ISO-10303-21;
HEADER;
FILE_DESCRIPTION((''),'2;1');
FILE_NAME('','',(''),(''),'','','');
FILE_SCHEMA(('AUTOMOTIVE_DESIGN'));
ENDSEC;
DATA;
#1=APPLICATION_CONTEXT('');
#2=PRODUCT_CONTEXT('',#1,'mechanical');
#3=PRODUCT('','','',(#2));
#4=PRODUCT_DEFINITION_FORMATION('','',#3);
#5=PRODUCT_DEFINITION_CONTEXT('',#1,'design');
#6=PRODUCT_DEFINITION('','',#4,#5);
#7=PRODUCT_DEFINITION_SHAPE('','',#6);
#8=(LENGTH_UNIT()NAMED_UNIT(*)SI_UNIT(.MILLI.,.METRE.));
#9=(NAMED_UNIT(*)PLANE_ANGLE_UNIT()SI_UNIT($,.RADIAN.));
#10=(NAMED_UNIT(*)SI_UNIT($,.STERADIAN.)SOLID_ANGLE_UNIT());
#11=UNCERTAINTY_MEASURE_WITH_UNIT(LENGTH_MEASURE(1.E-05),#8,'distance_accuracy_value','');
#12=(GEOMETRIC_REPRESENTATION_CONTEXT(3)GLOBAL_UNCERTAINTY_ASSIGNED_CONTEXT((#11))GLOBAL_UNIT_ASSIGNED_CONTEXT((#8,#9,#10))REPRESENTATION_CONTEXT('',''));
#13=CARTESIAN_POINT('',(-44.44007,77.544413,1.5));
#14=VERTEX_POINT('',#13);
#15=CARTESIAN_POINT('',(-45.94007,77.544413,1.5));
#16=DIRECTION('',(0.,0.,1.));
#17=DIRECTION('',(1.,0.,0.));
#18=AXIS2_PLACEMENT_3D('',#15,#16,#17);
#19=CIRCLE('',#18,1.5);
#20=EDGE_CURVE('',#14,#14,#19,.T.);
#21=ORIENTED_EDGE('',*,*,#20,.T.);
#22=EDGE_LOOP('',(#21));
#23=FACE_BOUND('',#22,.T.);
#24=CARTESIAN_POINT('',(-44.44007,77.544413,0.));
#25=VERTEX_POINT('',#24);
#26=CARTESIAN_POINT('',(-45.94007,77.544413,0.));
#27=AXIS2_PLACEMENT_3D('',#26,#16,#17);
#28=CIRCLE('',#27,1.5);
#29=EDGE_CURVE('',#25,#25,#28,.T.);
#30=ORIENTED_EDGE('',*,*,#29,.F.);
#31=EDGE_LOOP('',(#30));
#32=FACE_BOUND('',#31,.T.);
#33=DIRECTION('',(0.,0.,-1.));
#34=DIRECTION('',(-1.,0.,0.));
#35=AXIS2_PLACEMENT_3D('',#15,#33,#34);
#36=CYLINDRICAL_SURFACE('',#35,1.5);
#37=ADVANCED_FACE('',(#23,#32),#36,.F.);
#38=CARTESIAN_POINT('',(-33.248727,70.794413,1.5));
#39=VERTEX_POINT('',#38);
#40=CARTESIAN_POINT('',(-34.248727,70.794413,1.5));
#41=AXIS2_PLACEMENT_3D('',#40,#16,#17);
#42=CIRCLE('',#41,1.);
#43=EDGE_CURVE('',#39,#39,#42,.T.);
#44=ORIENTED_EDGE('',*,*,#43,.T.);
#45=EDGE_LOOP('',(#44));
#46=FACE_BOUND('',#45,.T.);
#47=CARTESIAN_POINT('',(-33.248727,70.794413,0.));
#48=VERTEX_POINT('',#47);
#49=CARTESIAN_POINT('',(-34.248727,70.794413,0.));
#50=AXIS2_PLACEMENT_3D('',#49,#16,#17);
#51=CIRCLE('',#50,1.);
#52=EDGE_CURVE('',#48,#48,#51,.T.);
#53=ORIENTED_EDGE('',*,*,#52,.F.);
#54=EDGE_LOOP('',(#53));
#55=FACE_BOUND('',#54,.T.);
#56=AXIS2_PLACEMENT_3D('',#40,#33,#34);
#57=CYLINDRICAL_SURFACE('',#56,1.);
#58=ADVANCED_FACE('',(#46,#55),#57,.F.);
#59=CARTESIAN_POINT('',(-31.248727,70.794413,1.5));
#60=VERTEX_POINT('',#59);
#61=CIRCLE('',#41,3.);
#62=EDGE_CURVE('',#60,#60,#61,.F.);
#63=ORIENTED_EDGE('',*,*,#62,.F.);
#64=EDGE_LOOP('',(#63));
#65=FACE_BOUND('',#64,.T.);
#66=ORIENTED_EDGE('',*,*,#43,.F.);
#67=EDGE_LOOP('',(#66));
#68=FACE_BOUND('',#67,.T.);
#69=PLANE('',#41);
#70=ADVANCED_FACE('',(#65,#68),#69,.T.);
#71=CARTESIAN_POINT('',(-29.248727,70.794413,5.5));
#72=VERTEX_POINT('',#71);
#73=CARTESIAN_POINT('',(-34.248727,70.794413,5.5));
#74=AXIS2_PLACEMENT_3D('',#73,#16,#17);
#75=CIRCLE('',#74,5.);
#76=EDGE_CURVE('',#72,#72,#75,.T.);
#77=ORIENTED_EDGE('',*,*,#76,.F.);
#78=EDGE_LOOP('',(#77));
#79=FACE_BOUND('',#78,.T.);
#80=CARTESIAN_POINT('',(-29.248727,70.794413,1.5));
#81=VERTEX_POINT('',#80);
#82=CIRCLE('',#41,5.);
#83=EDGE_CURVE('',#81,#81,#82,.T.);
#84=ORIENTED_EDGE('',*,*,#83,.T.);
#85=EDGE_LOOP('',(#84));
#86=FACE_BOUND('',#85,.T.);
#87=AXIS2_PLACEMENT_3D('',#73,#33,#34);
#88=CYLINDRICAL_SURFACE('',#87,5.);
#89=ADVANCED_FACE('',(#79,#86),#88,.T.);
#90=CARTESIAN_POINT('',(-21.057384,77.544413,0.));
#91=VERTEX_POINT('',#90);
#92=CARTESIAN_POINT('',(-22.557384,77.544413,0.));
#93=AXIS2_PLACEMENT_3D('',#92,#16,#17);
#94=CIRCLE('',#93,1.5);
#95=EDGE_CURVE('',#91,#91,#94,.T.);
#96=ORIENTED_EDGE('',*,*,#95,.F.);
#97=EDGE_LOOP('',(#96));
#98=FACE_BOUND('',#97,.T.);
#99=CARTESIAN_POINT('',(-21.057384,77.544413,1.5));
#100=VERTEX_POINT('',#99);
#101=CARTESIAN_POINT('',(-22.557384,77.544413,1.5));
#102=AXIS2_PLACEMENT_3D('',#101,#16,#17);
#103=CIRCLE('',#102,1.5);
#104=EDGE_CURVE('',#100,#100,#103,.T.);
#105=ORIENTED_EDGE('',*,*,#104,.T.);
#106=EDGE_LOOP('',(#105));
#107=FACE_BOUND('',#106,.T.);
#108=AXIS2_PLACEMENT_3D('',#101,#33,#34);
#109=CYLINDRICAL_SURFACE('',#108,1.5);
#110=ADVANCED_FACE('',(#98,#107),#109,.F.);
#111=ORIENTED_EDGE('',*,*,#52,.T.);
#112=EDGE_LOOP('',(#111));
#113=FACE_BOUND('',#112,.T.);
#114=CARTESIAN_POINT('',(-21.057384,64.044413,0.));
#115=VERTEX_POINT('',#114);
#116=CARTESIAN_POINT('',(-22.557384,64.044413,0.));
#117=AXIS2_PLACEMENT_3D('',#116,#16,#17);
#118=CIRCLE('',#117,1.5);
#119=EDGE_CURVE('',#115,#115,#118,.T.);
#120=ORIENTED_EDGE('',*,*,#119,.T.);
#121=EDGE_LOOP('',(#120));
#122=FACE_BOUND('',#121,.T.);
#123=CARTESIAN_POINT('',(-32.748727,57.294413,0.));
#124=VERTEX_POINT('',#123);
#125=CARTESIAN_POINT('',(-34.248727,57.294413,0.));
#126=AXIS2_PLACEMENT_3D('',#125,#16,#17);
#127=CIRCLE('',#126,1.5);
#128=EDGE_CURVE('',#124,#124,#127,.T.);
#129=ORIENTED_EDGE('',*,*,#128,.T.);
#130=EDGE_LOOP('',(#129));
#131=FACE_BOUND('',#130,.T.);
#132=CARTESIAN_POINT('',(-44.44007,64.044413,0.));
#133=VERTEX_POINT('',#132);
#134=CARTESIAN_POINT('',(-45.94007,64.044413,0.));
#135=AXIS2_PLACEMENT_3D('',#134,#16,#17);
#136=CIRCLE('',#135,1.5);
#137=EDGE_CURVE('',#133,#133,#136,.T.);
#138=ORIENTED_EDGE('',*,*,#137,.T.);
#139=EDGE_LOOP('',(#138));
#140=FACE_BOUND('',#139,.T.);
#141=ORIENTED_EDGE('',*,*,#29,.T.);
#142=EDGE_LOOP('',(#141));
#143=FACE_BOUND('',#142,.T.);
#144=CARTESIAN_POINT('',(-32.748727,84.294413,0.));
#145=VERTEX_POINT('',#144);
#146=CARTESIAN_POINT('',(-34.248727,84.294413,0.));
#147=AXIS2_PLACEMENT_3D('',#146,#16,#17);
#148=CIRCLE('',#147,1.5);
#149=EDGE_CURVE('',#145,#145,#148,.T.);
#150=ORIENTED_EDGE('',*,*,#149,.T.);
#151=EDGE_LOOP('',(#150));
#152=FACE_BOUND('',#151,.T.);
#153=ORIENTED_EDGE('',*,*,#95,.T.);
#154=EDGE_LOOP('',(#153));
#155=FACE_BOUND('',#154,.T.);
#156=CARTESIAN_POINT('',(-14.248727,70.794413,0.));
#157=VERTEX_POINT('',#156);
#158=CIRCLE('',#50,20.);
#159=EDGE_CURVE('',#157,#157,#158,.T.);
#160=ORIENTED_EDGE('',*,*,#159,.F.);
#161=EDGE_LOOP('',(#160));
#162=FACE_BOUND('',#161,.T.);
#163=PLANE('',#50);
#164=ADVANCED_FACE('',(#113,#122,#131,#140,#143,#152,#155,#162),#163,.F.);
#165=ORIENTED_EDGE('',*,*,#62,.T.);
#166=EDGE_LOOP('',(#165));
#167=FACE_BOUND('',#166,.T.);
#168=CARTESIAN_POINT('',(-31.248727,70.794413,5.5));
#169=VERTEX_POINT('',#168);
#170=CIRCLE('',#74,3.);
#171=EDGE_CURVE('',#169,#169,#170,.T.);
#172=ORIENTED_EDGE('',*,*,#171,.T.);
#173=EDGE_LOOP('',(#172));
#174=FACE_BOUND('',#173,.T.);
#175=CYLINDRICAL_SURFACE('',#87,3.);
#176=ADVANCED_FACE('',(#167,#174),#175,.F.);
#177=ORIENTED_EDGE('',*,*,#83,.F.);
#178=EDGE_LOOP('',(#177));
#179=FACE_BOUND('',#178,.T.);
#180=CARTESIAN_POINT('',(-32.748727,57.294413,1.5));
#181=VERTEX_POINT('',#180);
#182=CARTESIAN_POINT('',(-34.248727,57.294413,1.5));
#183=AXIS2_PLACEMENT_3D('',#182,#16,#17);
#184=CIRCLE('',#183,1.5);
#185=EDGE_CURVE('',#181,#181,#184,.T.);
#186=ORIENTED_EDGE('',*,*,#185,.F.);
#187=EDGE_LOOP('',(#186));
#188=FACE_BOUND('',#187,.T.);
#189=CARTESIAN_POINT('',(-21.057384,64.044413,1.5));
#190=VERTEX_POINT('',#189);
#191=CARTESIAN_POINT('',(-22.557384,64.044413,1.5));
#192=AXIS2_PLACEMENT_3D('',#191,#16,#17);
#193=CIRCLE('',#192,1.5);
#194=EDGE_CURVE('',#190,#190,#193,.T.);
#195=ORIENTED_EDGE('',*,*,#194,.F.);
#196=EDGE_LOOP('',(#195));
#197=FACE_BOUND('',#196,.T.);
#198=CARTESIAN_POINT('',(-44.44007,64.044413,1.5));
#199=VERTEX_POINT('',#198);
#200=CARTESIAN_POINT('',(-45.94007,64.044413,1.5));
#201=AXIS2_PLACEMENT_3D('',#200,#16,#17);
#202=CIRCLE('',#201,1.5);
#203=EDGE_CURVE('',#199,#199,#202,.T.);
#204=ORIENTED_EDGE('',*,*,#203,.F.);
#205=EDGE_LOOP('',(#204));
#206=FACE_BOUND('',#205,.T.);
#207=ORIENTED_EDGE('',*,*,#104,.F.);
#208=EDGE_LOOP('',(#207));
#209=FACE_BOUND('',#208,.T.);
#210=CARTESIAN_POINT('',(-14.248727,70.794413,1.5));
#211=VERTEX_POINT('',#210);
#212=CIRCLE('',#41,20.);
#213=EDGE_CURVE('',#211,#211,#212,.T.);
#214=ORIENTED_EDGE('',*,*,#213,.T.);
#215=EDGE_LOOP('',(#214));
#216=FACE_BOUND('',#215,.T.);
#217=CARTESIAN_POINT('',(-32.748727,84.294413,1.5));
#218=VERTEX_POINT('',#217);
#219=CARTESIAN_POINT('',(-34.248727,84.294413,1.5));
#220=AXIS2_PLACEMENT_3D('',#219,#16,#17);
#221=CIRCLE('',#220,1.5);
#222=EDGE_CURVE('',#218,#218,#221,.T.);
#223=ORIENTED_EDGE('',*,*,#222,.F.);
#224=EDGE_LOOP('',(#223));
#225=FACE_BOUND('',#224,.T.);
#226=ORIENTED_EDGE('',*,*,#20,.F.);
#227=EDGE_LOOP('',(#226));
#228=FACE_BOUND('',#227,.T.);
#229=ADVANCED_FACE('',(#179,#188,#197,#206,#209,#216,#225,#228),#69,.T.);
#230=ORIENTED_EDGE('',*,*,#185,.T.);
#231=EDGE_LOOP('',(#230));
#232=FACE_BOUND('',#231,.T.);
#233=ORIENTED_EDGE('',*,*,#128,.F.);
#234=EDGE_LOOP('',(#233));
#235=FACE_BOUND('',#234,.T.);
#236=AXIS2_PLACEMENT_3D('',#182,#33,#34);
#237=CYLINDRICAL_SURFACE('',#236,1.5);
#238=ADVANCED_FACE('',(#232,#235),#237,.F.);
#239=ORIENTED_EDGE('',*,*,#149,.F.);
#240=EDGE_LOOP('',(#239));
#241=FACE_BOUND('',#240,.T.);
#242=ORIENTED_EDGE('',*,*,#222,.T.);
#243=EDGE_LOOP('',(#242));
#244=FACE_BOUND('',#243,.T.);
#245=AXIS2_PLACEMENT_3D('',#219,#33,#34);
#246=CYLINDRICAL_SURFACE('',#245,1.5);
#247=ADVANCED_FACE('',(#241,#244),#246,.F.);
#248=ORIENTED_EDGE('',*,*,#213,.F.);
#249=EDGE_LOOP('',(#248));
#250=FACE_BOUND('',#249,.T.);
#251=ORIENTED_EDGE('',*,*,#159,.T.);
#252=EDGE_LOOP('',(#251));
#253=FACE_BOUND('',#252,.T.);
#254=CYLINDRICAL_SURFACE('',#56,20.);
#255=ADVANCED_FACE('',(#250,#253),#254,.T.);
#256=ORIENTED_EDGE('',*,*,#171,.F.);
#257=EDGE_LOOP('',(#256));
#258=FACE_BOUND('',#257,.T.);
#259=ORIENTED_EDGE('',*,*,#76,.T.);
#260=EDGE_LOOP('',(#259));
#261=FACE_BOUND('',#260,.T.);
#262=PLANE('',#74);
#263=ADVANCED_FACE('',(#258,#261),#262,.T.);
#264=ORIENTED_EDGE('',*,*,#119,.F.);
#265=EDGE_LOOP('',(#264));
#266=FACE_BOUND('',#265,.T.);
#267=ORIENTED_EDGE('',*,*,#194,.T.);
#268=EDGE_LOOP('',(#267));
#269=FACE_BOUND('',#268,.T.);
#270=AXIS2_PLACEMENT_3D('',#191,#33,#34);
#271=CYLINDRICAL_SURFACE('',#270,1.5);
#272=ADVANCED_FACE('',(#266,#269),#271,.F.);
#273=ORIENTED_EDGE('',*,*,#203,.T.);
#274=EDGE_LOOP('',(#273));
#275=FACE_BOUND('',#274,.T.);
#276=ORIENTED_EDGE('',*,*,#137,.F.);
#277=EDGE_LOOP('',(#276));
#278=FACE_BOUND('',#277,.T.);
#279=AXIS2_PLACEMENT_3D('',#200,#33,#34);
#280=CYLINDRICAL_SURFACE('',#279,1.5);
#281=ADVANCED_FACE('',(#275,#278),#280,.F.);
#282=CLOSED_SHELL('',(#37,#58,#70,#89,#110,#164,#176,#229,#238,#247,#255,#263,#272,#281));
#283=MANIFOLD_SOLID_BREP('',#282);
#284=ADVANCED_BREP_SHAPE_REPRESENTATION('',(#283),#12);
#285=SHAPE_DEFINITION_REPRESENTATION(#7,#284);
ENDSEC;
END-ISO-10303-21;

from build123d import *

# Parameters (mm, degrees)
SKETCH1_R           = 20
SKETCH1_R_2         = 1.5
SKETCH1_R_3         = 1
BOSS_EXTRUDE1_DEPTH = 1.5
SKETCH2_R           = 5
SKETCH2_R_2         = 3
BOSS_EXTRUDE2_DEPTH = 4


with BuildPart() as part:
    # Sketch1 → Boss-Extrude1 (new body)
    with BuildSketch(Plane.XY):
        with Locations((-34.248726775, 70.794412983)):
            Circle(SKETCH1_R)
        with Locations((-45.940069726, 77.544412983)):
            Circle(SKETCH1_R_2, mode=Mode.SUBTRACT)
        with Locations((-34.248726775, 84.294412983)):
            Circle(SKETCH1_R_2, mode=Mode.SUBTRACT)
        with Locations((-22.557383823, 77.544412983)):
            Circle(SKETCH1_R_2, mode=Mode.SUBTRACT)
        with Locations((-22.557383823, 64.044412983)):
            Circle(SKETCH1_R_2, mode=Mode.SUBTRACT)
        with Locations((-34.248726775, 57.294412983)):
            Circle(SKETCH1_R_2, mode=Mode.SUBTRACT)
        with Locations((-45.940069726, 64.044412983)):
            Circle(SKETCH1_R_2, mode=Mode.SUBTRACT)
        with Locations((-34.248726775, 70.794412983)):
            Circle(SKETCH1_R_3, mode=Mode.SUBTRACT)
    extrude(amount=BOSS_EXTRUDE1_DEPTH)

    # Sketch2 → Boss-Extrude2 (add)
    with BuildSketch(Plane.XY.offset(1.5)):
        with Locations((-34.248726775, 70.794412983)):
            Circle(SKETCH2_R)
        with Locations((-34.248726775, 70.794412983)):
            Circle(SKETCH2_R_2, mode=Mode.SUBTRACT)
    extrude(amount=BOSS_EXTRUDE2_DEPTH)


solid = part.part
